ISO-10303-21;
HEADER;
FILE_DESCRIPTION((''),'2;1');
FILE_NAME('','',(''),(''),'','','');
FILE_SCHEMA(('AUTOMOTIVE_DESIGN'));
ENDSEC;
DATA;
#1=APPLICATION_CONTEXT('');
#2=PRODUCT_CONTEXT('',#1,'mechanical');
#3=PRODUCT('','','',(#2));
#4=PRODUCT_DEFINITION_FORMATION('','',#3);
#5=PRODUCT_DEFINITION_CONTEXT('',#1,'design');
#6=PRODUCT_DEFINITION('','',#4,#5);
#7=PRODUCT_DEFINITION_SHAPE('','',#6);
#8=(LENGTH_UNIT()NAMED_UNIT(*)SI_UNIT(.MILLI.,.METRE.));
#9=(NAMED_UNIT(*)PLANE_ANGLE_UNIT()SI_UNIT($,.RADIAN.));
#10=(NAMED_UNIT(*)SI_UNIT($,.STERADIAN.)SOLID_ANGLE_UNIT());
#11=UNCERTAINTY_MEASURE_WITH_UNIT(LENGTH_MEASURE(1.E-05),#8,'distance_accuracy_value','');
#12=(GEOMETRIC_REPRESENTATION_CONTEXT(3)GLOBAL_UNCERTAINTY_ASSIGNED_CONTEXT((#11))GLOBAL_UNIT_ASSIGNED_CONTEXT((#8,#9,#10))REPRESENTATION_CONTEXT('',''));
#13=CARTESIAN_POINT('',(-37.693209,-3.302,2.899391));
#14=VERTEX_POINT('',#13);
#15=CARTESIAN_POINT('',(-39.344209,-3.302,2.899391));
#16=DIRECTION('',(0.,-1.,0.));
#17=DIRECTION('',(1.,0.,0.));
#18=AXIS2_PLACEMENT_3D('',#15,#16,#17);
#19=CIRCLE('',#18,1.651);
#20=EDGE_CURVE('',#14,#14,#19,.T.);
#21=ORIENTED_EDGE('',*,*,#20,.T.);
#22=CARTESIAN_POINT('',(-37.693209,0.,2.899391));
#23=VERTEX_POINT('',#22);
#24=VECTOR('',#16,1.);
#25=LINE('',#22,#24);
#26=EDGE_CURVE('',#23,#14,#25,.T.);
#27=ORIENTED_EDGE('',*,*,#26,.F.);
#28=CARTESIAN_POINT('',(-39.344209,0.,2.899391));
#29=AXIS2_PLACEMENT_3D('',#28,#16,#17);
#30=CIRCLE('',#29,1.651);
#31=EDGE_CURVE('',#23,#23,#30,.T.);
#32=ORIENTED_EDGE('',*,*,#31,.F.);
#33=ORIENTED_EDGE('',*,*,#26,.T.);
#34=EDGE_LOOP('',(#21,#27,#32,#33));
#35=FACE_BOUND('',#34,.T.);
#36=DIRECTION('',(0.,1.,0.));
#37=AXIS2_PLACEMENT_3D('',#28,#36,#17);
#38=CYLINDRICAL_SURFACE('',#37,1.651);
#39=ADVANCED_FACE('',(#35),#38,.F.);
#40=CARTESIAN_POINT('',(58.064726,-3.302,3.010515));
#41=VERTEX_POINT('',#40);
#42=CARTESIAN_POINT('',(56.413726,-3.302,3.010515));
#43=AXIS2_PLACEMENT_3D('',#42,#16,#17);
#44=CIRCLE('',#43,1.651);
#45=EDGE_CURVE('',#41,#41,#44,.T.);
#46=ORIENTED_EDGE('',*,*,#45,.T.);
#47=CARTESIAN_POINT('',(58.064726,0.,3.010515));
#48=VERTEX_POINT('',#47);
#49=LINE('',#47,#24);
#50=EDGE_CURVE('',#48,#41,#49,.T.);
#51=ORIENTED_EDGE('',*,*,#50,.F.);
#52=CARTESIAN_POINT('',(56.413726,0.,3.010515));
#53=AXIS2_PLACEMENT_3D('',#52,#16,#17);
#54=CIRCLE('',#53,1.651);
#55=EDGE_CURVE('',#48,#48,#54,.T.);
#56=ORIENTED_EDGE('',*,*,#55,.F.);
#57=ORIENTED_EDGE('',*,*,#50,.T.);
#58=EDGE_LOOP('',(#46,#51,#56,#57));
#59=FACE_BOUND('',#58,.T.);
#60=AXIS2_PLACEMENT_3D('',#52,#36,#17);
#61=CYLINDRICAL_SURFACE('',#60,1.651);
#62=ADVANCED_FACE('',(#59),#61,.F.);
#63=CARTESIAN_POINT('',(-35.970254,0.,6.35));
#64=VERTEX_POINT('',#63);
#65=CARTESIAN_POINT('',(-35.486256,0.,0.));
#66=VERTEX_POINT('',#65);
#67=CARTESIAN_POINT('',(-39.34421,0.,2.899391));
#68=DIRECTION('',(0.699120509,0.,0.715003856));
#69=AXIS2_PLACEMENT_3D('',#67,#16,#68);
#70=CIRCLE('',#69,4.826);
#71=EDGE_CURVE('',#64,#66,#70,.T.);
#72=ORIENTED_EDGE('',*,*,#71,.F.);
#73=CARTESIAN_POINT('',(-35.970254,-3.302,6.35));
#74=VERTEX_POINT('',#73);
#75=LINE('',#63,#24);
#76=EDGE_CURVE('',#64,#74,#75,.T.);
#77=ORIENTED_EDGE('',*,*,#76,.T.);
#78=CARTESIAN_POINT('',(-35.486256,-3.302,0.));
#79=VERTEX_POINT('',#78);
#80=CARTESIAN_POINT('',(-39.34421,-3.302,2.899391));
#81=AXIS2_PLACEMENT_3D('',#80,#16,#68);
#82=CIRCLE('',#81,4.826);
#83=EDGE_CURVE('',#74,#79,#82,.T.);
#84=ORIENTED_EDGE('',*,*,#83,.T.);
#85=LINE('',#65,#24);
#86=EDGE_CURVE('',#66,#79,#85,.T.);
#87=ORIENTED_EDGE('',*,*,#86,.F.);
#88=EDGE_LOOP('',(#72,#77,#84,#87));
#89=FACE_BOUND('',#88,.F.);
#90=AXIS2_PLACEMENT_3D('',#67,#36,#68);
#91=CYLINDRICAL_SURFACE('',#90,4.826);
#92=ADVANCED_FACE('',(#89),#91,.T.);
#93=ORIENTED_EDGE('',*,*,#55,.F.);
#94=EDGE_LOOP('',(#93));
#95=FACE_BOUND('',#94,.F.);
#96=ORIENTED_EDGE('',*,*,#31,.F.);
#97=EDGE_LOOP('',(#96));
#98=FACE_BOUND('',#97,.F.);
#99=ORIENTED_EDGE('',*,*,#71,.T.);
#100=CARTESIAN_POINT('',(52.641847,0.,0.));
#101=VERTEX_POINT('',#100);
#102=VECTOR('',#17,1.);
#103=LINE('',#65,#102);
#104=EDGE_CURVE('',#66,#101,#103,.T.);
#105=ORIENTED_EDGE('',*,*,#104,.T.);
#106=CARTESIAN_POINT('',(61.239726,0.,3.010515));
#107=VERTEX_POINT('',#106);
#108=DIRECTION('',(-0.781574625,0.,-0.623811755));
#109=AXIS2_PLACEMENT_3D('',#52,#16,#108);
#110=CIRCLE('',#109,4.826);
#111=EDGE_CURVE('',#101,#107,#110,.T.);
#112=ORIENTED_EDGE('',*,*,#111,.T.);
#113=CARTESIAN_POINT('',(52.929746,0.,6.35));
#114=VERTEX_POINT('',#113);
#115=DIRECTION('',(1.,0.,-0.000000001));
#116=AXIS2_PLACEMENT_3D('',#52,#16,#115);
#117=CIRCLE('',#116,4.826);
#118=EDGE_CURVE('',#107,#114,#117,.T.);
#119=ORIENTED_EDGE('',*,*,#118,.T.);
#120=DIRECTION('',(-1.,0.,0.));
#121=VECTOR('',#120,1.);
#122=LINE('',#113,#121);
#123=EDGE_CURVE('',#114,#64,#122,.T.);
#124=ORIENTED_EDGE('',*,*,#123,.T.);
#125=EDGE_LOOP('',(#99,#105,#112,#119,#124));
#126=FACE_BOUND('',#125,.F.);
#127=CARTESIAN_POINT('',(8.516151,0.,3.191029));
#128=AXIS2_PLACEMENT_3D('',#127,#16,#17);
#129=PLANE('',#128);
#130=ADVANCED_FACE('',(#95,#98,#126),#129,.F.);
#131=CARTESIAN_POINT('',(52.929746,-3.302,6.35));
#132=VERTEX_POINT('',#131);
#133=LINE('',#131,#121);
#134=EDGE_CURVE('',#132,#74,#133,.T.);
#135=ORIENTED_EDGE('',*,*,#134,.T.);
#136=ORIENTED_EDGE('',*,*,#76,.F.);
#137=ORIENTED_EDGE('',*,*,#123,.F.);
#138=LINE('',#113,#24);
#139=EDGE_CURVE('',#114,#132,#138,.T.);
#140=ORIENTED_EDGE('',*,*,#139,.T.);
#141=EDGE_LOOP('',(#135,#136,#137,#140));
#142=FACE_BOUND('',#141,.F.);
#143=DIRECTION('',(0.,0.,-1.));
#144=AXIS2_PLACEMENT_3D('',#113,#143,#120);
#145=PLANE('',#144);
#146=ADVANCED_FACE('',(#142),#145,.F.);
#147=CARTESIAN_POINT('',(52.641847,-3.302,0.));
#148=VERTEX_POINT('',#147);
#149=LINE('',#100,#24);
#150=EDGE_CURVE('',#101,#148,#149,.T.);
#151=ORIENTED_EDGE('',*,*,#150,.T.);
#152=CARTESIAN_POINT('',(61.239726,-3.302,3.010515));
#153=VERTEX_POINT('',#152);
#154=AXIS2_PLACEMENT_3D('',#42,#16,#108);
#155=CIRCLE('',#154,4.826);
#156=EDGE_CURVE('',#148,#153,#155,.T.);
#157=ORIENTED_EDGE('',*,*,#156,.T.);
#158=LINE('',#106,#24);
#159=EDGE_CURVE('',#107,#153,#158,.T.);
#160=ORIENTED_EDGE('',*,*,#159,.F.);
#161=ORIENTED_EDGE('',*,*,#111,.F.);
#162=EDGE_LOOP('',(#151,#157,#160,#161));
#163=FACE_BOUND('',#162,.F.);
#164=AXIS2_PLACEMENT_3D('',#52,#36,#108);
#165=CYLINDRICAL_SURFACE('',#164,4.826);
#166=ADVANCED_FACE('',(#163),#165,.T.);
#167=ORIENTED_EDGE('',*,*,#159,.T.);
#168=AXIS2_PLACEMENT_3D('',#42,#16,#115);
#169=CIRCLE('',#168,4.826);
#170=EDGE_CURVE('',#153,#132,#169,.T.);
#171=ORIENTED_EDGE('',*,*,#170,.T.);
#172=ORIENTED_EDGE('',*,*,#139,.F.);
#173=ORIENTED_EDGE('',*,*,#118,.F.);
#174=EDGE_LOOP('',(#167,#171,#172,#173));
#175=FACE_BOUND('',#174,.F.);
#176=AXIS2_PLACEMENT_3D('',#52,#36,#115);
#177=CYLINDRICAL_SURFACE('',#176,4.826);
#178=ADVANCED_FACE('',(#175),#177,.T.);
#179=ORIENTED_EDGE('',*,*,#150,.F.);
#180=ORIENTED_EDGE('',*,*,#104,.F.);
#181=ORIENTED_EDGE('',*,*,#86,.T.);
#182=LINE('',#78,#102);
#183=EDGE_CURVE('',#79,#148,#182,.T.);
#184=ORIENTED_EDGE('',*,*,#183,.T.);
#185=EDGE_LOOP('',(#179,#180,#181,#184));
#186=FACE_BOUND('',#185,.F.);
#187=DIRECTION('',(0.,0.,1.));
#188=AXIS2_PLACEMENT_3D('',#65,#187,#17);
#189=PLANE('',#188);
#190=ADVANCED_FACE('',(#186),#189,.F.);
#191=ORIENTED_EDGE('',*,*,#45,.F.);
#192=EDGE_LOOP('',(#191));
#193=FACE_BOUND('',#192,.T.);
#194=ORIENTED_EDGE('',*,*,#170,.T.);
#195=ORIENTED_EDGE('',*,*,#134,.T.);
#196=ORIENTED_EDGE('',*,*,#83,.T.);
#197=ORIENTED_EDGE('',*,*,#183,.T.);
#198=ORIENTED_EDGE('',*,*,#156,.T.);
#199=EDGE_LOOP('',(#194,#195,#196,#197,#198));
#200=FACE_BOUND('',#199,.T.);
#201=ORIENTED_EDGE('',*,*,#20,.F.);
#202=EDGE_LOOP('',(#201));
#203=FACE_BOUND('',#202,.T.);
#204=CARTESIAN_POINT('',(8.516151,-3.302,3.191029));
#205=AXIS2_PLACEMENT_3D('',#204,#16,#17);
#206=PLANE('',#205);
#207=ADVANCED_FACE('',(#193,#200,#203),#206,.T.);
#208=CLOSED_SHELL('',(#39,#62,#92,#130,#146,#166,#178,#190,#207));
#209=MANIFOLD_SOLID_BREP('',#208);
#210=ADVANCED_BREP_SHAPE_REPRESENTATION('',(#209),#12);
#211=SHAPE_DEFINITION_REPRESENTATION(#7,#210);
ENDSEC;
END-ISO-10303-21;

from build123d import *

# Parameters (mm, degrees)
F0_R     = 1.651
F1_DEPTH = 3.302


with BuildPart() as f1:
    # F0 (on Front) → F1 (new body)
    with BuildSketch(Plane.XZ):
        with BuildLine():
            Line((52.929746, 6.35), (-35.970254, 6.35))
            ThreePointArc((-35.970254, 6.35), (-34.896008, 4.771231), (-34.518209, 2.899391))
            ThreePointArc((-34.518209, 2.899391), (-34.766614, 1.371027), (-35.486256, 0))
            Line((-35.486256, 0), (52.641847, 0))
            ThreePointArc((52.641847, 0), (51.592679, 3.229094), (52.929746, 6.35))
        make_face()
        with BuildLine():
            ThreePointArc((-34.518209, 2.899391), (-34.896008, 4.771231), (-35.970254, 6.35))
            ThreePointArc((-35.970254, 6.35), (-44.156252, 2.532616), (-35.486256, 0))
            ThreePointArc((-35.486256, 0), (-34.766614, 1.371027), (-34.518209, 2.899391))
        make_face()
        with Locations((-39.344209, 2.899391)):
            Circle(F0_R, mode=Mode.SUBTRACT)
        with BuildLine():
            ThreePointArc((61.239726, 3.010515), (58.213252, 7.488459), (52.929746, 6.35))
            ThreePointArc((52.929746, 6.35), (51.592679, 3.229094), (52.641847, 0))
            ThreePointArc((52.641847, 0), (58.008591, -1.544337), (61.239726, 3.010515))
        make_face()
        with Locations((56.413726, 3.010515)):
            Circle(F0_R, mode=Mode.SUBTRACT)
    extrude(amount=F1_DEPTH)


solid = f1.part
